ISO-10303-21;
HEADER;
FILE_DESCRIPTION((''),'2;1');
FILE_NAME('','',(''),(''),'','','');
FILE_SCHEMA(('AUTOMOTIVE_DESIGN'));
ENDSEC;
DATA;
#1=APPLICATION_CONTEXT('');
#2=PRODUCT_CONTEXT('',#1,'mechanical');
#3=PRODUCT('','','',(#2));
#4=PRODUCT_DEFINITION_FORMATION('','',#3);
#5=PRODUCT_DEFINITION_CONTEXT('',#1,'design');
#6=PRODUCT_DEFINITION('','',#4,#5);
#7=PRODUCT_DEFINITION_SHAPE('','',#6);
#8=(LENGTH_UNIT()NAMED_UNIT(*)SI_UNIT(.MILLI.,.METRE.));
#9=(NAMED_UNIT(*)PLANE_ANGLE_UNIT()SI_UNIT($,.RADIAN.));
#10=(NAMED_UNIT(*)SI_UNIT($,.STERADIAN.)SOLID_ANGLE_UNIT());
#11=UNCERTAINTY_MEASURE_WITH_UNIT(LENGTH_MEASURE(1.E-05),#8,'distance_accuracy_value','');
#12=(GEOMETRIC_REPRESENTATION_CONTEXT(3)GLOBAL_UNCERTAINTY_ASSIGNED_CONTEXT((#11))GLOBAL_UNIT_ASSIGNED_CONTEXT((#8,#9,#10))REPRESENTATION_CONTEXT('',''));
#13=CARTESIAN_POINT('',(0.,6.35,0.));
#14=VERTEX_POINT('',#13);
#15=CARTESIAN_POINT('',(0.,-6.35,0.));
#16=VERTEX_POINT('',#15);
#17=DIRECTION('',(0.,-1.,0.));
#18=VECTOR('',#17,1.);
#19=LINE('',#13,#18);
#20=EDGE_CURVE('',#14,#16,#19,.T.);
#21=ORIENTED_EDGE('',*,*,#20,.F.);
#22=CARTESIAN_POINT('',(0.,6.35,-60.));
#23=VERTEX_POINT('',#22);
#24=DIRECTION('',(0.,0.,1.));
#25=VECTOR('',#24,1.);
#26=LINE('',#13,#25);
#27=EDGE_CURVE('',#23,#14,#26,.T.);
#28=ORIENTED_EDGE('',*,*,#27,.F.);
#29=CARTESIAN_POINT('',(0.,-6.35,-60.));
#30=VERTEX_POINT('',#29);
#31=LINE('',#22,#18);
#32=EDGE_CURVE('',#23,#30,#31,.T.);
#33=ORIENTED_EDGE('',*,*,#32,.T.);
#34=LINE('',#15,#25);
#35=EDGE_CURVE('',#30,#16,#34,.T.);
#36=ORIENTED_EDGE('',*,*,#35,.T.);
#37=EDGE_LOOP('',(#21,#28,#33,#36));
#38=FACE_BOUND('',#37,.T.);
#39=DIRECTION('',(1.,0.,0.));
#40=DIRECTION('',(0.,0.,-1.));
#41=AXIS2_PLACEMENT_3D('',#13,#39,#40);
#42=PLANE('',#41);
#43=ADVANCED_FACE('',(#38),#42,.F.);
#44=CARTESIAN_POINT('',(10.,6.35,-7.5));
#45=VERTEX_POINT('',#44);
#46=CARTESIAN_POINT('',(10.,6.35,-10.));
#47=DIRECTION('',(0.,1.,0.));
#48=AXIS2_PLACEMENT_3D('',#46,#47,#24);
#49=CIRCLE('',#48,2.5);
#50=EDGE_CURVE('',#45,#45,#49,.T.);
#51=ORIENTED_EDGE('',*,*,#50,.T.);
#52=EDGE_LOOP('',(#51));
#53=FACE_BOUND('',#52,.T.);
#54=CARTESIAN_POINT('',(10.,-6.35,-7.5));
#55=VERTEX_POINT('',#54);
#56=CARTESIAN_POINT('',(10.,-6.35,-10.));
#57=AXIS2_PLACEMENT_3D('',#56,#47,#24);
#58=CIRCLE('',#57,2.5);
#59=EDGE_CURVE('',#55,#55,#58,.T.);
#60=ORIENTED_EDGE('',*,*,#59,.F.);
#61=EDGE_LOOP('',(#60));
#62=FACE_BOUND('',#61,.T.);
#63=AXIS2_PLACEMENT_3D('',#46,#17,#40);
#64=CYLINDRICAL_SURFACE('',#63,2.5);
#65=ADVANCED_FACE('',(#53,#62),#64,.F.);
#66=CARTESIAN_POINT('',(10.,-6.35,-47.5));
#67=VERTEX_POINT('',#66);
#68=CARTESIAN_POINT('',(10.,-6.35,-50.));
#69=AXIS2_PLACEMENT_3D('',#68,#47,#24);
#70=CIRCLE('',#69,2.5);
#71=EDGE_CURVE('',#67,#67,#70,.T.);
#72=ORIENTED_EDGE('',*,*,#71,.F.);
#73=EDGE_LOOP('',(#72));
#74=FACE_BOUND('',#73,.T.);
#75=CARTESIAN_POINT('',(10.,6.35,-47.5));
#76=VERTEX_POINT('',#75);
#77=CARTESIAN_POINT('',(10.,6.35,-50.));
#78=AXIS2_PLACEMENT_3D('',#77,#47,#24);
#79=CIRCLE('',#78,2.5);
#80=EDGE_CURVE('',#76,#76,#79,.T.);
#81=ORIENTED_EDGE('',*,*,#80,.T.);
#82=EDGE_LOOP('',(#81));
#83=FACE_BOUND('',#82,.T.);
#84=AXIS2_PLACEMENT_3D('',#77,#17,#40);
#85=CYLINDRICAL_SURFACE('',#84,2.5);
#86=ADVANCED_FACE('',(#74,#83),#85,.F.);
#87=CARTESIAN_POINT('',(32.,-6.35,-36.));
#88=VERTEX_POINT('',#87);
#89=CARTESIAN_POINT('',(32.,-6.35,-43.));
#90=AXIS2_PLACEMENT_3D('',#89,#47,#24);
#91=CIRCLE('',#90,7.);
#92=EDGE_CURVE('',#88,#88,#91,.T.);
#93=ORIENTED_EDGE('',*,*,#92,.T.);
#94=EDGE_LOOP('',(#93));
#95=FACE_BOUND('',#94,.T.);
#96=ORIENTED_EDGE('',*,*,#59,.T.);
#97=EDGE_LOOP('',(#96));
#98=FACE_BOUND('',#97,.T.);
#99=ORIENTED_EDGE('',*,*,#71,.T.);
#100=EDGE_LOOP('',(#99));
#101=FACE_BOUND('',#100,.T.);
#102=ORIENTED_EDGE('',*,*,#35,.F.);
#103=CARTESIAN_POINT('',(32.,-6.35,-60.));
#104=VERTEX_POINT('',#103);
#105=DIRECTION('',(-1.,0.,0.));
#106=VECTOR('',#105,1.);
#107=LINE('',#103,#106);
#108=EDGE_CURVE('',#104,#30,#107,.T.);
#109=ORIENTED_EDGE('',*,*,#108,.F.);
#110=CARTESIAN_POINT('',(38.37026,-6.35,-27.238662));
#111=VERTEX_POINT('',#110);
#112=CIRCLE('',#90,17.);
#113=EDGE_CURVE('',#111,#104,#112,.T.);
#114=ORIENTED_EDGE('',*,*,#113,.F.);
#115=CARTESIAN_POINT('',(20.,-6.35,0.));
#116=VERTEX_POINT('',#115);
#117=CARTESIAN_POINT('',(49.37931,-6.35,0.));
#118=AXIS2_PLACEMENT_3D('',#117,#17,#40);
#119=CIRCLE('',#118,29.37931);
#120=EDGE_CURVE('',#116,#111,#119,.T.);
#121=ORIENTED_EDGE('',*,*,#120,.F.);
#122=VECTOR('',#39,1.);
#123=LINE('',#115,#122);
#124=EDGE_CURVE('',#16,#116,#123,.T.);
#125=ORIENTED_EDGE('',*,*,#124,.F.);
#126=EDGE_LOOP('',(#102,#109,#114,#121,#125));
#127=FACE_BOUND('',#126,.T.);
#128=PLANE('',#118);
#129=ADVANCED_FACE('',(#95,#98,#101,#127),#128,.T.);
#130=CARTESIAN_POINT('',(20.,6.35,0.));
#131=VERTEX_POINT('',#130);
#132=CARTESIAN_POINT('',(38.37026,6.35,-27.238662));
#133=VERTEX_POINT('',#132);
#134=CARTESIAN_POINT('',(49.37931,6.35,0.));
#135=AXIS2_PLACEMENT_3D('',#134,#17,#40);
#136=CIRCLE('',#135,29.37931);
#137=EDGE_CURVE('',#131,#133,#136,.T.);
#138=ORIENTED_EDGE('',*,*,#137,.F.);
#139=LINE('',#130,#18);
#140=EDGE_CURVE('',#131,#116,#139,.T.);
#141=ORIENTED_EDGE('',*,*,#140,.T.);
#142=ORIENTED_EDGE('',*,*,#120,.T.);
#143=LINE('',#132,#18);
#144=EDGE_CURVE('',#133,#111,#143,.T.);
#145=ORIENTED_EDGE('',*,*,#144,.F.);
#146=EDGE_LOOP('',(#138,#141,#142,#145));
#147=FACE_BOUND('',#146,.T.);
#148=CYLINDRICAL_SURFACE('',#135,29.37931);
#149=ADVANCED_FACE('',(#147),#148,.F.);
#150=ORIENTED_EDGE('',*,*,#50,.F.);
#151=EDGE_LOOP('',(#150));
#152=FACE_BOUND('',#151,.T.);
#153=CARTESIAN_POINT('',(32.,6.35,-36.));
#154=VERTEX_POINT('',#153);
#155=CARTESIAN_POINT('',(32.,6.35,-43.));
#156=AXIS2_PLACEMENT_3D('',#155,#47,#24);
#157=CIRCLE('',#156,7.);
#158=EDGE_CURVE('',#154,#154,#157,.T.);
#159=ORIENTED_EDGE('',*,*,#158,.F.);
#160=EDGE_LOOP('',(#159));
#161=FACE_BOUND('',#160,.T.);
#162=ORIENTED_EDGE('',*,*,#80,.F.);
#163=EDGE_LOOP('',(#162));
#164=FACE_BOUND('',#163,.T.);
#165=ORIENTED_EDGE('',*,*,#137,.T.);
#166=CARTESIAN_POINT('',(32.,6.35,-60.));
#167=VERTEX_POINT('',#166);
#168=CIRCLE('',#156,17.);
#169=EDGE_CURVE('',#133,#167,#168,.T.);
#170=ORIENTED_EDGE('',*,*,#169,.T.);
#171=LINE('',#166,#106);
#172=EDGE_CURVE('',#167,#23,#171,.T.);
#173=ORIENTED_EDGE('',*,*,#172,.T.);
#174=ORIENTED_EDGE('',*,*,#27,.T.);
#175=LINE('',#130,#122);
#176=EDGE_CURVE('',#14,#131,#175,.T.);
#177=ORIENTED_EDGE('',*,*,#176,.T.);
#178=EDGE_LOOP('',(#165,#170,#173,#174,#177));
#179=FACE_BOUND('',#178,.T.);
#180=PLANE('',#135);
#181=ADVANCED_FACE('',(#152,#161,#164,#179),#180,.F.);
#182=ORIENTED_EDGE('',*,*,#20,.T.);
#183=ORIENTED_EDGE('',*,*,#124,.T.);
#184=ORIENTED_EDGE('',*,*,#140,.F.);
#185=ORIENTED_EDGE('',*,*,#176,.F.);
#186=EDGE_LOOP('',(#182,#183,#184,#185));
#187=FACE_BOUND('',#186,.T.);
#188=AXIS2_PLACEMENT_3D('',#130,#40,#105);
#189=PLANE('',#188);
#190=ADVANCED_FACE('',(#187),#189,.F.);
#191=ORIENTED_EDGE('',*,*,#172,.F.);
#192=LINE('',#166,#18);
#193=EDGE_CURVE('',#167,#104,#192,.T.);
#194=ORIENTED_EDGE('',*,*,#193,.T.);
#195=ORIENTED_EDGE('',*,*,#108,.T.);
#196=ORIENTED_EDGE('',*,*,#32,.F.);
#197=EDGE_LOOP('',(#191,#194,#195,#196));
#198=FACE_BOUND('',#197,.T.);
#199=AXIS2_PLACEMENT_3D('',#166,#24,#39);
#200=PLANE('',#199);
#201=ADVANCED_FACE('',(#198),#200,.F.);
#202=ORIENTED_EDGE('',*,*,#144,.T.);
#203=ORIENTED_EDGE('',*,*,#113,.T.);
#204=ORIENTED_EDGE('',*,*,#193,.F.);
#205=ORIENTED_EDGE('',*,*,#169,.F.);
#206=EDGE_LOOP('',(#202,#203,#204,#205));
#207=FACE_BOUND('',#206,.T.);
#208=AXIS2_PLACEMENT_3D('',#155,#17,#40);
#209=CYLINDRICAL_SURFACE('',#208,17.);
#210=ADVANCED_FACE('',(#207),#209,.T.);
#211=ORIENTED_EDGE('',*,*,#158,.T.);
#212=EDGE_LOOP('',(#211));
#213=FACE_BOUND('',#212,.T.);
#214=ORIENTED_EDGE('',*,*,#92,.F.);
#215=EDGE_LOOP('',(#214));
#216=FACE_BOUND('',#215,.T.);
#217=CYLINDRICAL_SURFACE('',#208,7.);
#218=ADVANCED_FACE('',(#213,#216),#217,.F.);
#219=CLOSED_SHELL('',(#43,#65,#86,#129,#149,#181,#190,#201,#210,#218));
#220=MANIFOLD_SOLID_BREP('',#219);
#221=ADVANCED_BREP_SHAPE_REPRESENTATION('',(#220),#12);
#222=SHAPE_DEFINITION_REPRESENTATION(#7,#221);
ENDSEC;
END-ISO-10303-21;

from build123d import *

# Parameters (mm, degrees)
SKETCH1_R           = 7
SKETCH1_R_2         = 2.5
BOSS_EXTRUDE1_DEPTH = 6.35


with BuildPart() as part:
    # Sketch1 → Boss-Extrude1 (new, symmetric)
    with BuildSketch(Plane(origin=(0, 0, 0), x_dir=(1, 0, 0), z_dir=(0, 1, 0))):
        with BuildLine():
            Line((20, 0), (0, 0))
            Line((0, 0), (0, 60))
            Line((0, 60), (32, 60))
            ThreePointArc((32, 60), (48.687461624, 46.244784205), (38.370260223, 27.23866171))
            ThreePointArc((38.370260223, 27.23866171), (25.021742974, 16.427196599), (20, 0))
        make_face()
        with Locations(Location((32, 43, 0), (0, 0, 270))):
            Circle(SKETCH1_R, mode=Mode.SUBTRACT)
        with Locations(Location((10, 10, 0), (0, 0, 270))):
            Circle(SKETCH1_R_2, mode=Mode.SUBTRACT)
        with Locations(Location((10, 50, 0), (0, 0, 270))):
            Circle(SKETCH1_R_2, mode=Mode.SUBTRACT)
    extrude(amount=BOSS_EXTRUDE1_DEPTH, both=True)


solid = part.part
